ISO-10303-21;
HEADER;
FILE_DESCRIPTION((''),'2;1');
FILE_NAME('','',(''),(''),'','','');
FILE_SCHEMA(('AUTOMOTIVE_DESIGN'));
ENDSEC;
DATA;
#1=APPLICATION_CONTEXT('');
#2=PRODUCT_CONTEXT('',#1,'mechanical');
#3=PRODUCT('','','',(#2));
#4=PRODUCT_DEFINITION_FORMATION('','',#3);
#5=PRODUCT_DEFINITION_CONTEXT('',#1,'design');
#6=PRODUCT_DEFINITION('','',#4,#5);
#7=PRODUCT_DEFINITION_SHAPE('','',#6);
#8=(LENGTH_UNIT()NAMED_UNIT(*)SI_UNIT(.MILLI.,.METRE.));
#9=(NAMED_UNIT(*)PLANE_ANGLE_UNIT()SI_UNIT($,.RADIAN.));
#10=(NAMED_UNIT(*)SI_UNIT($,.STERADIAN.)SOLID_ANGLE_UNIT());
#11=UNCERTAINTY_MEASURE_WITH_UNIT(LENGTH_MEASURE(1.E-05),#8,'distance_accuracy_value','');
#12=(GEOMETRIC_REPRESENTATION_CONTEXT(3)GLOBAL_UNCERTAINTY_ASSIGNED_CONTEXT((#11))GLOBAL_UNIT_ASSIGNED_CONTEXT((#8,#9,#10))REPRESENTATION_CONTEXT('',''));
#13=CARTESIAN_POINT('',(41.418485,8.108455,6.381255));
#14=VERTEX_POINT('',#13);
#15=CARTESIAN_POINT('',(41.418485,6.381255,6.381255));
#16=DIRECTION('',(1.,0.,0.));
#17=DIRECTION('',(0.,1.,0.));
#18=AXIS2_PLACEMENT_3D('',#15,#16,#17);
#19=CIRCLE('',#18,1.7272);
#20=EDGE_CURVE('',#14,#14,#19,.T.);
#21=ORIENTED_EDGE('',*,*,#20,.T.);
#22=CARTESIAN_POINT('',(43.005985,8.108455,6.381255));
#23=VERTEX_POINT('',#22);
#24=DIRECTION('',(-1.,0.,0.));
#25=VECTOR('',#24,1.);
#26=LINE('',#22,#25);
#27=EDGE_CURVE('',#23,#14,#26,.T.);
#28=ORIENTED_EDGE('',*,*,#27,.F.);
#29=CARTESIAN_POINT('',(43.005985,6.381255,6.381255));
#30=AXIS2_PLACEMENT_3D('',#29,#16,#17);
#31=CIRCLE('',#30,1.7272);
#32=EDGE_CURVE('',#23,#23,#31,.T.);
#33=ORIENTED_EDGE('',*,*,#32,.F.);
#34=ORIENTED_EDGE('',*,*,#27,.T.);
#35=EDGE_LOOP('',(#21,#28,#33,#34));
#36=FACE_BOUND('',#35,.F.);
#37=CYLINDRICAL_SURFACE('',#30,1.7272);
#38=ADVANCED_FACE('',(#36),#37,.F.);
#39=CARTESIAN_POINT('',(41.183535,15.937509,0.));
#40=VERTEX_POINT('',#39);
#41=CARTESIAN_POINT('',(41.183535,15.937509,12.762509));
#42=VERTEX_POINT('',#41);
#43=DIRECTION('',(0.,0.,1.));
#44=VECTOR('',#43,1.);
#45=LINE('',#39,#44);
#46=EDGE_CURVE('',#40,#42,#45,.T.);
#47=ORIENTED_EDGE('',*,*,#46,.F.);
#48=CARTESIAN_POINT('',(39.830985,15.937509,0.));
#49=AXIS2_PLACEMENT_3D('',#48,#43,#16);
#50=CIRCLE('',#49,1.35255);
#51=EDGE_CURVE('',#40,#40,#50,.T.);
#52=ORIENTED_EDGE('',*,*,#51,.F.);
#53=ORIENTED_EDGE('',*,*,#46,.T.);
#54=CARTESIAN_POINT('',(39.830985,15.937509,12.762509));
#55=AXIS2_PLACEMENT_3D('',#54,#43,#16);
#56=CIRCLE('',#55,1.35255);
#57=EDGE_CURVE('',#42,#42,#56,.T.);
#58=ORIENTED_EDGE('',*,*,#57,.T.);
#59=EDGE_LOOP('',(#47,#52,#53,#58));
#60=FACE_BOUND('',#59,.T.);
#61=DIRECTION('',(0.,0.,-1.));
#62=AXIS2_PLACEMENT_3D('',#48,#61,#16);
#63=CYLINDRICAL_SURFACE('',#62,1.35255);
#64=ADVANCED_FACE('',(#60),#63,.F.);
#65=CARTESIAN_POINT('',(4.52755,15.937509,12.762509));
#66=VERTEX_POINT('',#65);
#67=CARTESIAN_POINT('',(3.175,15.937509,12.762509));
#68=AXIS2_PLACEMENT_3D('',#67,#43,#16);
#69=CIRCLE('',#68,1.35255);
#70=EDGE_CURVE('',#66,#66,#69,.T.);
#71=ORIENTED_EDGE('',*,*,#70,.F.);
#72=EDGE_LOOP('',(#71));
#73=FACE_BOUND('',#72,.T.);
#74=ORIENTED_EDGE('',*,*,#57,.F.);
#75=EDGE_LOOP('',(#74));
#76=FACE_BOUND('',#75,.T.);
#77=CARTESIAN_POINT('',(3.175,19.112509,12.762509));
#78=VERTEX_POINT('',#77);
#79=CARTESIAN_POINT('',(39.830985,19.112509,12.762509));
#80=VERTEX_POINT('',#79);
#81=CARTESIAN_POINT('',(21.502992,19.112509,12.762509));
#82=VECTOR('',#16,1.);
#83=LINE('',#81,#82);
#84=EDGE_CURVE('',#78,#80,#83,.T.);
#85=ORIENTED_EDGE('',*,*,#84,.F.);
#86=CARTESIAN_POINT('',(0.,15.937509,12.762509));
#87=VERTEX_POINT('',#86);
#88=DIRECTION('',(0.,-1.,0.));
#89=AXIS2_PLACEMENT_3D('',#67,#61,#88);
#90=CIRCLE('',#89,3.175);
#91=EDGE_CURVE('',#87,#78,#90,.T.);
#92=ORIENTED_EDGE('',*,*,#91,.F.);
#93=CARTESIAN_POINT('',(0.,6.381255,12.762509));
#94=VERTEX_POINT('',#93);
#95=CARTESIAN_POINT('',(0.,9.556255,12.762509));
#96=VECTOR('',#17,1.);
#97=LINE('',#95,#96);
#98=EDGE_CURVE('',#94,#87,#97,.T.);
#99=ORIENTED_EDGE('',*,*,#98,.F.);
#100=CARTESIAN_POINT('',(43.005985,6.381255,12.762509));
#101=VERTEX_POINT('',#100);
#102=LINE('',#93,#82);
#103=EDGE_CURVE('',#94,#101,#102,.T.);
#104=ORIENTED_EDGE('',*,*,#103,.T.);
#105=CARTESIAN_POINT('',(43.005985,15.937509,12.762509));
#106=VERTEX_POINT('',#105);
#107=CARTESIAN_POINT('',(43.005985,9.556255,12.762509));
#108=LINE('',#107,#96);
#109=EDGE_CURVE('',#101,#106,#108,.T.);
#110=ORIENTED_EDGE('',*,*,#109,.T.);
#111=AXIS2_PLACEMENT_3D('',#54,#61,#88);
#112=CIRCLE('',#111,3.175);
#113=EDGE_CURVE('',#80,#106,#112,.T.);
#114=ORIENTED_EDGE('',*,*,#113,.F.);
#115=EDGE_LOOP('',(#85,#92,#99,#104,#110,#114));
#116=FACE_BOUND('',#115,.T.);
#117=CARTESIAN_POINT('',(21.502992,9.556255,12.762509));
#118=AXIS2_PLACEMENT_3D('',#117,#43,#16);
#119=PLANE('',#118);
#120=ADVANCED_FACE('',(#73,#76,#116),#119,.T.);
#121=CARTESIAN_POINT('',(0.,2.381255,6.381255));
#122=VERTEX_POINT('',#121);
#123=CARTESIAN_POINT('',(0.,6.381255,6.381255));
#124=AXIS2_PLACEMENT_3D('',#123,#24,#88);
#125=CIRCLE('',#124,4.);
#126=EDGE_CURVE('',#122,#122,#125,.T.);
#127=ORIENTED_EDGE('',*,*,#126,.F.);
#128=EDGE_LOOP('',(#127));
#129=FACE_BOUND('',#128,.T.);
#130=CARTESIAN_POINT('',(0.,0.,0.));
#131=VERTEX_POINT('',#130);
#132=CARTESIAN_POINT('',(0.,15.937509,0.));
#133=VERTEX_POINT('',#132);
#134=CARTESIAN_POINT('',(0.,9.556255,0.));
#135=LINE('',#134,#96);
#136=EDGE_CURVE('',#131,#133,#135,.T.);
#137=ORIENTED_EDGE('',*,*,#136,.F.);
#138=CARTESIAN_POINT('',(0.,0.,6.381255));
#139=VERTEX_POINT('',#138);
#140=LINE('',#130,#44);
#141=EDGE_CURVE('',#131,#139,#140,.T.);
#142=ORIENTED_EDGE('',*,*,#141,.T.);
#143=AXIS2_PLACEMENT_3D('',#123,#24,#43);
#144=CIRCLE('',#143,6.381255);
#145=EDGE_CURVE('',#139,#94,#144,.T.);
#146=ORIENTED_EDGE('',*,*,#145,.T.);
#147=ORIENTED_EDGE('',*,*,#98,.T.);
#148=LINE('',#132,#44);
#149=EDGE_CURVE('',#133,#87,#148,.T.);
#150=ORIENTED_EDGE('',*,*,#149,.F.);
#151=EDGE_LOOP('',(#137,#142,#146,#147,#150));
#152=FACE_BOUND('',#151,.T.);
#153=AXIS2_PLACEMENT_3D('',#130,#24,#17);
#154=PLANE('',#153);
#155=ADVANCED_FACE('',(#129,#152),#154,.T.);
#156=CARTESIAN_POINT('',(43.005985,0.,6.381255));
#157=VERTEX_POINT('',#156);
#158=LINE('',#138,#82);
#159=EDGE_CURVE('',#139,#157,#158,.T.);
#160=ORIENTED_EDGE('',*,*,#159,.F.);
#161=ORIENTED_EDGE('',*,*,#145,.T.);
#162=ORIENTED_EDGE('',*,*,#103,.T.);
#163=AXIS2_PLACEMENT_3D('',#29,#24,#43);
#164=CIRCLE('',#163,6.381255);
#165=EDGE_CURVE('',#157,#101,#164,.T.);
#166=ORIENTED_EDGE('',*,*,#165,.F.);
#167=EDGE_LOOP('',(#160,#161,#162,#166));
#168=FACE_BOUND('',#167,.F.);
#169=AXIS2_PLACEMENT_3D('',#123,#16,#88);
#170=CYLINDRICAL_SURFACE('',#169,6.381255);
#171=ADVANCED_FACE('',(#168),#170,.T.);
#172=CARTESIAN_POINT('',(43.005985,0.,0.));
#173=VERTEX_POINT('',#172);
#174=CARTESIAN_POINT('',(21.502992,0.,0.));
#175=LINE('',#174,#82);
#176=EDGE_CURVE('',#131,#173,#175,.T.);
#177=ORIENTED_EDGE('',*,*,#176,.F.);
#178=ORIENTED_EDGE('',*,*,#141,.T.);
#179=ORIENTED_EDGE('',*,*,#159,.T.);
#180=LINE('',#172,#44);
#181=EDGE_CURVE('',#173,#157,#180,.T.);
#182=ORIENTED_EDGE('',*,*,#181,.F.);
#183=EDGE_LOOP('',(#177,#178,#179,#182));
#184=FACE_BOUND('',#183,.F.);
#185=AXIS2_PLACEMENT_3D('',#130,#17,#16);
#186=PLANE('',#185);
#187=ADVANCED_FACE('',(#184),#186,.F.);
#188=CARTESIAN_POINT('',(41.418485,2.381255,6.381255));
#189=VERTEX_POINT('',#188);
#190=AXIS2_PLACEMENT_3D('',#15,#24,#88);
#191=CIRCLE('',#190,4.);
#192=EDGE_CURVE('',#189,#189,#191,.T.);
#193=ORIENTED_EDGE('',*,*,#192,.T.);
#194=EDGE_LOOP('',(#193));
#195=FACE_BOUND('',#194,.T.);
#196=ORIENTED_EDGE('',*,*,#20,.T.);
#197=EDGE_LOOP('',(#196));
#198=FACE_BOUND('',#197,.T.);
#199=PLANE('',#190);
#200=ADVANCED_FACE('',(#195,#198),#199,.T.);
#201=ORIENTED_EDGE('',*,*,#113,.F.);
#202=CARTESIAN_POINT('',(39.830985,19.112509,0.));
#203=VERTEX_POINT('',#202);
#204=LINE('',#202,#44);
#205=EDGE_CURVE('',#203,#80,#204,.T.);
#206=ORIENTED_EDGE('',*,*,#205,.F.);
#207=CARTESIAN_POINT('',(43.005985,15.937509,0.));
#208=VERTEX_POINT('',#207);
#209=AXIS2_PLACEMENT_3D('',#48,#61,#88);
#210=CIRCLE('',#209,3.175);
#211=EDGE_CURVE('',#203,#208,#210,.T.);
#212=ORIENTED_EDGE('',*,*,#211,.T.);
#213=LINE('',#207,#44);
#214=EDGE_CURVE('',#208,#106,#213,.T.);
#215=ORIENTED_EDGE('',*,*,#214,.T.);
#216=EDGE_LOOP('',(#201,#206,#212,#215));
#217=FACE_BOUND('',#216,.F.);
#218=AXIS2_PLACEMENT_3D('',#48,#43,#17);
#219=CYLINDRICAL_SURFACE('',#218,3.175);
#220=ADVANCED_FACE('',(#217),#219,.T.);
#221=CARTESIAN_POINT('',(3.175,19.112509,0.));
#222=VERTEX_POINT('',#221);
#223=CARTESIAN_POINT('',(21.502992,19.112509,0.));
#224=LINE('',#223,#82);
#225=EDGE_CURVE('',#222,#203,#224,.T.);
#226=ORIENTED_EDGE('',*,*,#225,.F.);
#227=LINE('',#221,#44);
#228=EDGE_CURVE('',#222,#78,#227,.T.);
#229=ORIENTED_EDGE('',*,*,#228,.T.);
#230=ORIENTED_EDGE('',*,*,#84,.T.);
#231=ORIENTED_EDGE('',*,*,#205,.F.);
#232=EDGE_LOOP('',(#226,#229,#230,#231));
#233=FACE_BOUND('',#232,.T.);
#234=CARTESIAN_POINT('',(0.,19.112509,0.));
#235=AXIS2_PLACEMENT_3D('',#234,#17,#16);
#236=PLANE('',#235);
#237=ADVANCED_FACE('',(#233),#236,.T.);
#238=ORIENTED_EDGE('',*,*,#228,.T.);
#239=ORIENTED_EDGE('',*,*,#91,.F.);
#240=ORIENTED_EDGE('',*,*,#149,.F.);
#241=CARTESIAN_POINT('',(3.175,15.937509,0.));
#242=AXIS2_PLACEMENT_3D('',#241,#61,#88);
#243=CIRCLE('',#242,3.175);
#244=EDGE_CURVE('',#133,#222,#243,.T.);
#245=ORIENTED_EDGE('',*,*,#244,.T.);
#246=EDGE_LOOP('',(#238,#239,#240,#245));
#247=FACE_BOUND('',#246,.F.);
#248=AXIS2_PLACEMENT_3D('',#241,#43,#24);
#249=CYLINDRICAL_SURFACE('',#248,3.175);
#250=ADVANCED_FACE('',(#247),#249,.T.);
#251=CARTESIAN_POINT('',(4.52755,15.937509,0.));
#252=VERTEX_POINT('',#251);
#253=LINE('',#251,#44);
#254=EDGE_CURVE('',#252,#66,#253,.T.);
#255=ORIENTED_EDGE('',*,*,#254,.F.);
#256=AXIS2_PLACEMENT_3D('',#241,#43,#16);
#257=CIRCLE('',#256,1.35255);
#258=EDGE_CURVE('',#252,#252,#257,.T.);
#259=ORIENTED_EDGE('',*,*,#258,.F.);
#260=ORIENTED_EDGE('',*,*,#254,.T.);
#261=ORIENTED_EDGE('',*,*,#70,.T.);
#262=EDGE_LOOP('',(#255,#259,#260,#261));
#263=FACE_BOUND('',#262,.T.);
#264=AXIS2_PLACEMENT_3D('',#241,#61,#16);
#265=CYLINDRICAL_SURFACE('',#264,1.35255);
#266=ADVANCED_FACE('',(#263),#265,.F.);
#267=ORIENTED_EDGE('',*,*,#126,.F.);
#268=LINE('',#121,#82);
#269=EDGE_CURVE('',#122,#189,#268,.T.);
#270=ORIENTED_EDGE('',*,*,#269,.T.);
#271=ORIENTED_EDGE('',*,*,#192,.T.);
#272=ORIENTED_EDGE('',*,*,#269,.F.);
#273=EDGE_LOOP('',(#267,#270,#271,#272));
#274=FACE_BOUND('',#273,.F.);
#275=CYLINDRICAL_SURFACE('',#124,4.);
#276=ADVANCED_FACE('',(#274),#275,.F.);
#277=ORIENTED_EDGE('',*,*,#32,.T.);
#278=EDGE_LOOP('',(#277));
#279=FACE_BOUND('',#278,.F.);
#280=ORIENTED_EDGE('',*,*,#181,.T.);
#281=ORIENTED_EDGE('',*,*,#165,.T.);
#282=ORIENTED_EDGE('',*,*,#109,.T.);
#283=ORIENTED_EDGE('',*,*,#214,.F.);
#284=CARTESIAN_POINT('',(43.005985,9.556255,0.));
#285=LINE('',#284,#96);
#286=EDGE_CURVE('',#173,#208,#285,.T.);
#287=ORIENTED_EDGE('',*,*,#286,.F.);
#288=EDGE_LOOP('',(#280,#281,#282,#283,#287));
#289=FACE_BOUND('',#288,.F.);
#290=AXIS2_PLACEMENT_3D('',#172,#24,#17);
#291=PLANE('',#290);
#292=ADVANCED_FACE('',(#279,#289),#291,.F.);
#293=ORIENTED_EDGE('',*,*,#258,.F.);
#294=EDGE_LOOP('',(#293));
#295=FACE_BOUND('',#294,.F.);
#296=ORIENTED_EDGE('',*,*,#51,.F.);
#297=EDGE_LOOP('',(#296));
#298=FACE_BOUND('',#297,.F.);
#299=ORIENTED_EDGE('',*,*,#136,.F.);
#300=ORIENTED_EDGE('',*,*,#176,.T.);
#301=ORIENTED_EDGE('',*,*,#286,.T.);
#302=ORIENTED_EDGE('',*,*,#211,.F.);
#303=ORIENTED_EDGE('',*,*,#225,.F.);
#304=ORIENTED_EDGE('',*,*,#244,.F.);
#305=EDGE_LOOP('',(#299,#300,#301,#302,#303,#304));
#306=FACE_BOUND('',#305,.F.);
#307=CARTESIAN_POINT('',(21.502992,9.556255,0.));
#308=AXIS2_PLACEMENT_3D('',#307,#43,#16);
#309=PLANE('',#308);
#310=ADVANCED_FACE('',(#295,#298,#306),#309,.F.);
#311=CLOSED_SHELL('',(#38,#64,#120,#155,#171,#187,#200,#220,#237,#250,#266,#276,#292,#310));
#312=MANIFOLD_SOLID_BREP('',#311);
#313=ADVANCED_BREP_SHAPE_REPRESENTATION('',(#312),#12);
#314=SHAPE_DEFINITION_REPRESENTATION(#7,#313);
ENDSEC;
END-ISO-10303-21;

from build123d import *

# Parameters (mm, degrees)
F0_W     = 43.0059846
F0_H     = 19.1125094
F0_R     = 1.35255
F1_DEPTH = 12.7625094
F2_R     = 3.175
F3_R     = 6.3812547
F4_R     = 1.7272
F5_DEPTH = 43.0059846
F6_R     = 4
F6_R_2   = 1.7272
F8_DEPTH = 41.4184846


with BuildPart() as f1:
    # F0 (on Top) → F1 (new body)
    with BuildSketch(Plane.XY):
        with Locations((21.5029923, 9.5562547)):
            Rectangle(F0_W, F0_H)
        with Locations((3.175, 15.9375094)):
            Circle(F0_R, mode=Mode.SUBTRACT)
        with Locations((39.8309846, 15.9375094)):
            Circle(F0_R, mode=Mode.SUBTRACT)
    extrude(amount=F1_DEPTH)

    # F2
    f2_edges = [f1.edges().sort_by_distance(p)[0] for p in [
        (43.005985, 19.112509, 6.381255),
        (0, 19.112509, 6.381255),
    ]]
    fillet(f2_edges, radius=F2_R)

    # F3
    f3_edges = [f1.edges().sort_by_distance(p)[0] for p in [
        (21.502992, 0, 12.762509),
    ]]
    fillet(f3_edges, radius=F3_R)

    # F4 (on face) → F5 (cut, through all)
    with BuildSketch(Plane.YZ.offset(43.0059846)):
        with Locations((6.3812547, 6.3812547)):
            Circle(F4_R)
    extrude(amount=-F5_DEPTH, mode=Mode.SUBTRACT)

    # F6 (on face) → F8 (cut, through all)
    with BuildSketch(Plane(origin=(0, 0, 0), x_dir=(0, -1, 0), z_dir=(-1, 0, 0))):
        with Locations((-6.3812547, 6.3812547)):
            Circle(F6_R)
        with Locations((-6.3812547, 6.3812547)):
            Circle(F6_R_2, mode=Mode.SUBTRACT)
    extrude(amount=-F8_DEPTH, mode=Mode.SUBTRACT)


solid = f1.part
